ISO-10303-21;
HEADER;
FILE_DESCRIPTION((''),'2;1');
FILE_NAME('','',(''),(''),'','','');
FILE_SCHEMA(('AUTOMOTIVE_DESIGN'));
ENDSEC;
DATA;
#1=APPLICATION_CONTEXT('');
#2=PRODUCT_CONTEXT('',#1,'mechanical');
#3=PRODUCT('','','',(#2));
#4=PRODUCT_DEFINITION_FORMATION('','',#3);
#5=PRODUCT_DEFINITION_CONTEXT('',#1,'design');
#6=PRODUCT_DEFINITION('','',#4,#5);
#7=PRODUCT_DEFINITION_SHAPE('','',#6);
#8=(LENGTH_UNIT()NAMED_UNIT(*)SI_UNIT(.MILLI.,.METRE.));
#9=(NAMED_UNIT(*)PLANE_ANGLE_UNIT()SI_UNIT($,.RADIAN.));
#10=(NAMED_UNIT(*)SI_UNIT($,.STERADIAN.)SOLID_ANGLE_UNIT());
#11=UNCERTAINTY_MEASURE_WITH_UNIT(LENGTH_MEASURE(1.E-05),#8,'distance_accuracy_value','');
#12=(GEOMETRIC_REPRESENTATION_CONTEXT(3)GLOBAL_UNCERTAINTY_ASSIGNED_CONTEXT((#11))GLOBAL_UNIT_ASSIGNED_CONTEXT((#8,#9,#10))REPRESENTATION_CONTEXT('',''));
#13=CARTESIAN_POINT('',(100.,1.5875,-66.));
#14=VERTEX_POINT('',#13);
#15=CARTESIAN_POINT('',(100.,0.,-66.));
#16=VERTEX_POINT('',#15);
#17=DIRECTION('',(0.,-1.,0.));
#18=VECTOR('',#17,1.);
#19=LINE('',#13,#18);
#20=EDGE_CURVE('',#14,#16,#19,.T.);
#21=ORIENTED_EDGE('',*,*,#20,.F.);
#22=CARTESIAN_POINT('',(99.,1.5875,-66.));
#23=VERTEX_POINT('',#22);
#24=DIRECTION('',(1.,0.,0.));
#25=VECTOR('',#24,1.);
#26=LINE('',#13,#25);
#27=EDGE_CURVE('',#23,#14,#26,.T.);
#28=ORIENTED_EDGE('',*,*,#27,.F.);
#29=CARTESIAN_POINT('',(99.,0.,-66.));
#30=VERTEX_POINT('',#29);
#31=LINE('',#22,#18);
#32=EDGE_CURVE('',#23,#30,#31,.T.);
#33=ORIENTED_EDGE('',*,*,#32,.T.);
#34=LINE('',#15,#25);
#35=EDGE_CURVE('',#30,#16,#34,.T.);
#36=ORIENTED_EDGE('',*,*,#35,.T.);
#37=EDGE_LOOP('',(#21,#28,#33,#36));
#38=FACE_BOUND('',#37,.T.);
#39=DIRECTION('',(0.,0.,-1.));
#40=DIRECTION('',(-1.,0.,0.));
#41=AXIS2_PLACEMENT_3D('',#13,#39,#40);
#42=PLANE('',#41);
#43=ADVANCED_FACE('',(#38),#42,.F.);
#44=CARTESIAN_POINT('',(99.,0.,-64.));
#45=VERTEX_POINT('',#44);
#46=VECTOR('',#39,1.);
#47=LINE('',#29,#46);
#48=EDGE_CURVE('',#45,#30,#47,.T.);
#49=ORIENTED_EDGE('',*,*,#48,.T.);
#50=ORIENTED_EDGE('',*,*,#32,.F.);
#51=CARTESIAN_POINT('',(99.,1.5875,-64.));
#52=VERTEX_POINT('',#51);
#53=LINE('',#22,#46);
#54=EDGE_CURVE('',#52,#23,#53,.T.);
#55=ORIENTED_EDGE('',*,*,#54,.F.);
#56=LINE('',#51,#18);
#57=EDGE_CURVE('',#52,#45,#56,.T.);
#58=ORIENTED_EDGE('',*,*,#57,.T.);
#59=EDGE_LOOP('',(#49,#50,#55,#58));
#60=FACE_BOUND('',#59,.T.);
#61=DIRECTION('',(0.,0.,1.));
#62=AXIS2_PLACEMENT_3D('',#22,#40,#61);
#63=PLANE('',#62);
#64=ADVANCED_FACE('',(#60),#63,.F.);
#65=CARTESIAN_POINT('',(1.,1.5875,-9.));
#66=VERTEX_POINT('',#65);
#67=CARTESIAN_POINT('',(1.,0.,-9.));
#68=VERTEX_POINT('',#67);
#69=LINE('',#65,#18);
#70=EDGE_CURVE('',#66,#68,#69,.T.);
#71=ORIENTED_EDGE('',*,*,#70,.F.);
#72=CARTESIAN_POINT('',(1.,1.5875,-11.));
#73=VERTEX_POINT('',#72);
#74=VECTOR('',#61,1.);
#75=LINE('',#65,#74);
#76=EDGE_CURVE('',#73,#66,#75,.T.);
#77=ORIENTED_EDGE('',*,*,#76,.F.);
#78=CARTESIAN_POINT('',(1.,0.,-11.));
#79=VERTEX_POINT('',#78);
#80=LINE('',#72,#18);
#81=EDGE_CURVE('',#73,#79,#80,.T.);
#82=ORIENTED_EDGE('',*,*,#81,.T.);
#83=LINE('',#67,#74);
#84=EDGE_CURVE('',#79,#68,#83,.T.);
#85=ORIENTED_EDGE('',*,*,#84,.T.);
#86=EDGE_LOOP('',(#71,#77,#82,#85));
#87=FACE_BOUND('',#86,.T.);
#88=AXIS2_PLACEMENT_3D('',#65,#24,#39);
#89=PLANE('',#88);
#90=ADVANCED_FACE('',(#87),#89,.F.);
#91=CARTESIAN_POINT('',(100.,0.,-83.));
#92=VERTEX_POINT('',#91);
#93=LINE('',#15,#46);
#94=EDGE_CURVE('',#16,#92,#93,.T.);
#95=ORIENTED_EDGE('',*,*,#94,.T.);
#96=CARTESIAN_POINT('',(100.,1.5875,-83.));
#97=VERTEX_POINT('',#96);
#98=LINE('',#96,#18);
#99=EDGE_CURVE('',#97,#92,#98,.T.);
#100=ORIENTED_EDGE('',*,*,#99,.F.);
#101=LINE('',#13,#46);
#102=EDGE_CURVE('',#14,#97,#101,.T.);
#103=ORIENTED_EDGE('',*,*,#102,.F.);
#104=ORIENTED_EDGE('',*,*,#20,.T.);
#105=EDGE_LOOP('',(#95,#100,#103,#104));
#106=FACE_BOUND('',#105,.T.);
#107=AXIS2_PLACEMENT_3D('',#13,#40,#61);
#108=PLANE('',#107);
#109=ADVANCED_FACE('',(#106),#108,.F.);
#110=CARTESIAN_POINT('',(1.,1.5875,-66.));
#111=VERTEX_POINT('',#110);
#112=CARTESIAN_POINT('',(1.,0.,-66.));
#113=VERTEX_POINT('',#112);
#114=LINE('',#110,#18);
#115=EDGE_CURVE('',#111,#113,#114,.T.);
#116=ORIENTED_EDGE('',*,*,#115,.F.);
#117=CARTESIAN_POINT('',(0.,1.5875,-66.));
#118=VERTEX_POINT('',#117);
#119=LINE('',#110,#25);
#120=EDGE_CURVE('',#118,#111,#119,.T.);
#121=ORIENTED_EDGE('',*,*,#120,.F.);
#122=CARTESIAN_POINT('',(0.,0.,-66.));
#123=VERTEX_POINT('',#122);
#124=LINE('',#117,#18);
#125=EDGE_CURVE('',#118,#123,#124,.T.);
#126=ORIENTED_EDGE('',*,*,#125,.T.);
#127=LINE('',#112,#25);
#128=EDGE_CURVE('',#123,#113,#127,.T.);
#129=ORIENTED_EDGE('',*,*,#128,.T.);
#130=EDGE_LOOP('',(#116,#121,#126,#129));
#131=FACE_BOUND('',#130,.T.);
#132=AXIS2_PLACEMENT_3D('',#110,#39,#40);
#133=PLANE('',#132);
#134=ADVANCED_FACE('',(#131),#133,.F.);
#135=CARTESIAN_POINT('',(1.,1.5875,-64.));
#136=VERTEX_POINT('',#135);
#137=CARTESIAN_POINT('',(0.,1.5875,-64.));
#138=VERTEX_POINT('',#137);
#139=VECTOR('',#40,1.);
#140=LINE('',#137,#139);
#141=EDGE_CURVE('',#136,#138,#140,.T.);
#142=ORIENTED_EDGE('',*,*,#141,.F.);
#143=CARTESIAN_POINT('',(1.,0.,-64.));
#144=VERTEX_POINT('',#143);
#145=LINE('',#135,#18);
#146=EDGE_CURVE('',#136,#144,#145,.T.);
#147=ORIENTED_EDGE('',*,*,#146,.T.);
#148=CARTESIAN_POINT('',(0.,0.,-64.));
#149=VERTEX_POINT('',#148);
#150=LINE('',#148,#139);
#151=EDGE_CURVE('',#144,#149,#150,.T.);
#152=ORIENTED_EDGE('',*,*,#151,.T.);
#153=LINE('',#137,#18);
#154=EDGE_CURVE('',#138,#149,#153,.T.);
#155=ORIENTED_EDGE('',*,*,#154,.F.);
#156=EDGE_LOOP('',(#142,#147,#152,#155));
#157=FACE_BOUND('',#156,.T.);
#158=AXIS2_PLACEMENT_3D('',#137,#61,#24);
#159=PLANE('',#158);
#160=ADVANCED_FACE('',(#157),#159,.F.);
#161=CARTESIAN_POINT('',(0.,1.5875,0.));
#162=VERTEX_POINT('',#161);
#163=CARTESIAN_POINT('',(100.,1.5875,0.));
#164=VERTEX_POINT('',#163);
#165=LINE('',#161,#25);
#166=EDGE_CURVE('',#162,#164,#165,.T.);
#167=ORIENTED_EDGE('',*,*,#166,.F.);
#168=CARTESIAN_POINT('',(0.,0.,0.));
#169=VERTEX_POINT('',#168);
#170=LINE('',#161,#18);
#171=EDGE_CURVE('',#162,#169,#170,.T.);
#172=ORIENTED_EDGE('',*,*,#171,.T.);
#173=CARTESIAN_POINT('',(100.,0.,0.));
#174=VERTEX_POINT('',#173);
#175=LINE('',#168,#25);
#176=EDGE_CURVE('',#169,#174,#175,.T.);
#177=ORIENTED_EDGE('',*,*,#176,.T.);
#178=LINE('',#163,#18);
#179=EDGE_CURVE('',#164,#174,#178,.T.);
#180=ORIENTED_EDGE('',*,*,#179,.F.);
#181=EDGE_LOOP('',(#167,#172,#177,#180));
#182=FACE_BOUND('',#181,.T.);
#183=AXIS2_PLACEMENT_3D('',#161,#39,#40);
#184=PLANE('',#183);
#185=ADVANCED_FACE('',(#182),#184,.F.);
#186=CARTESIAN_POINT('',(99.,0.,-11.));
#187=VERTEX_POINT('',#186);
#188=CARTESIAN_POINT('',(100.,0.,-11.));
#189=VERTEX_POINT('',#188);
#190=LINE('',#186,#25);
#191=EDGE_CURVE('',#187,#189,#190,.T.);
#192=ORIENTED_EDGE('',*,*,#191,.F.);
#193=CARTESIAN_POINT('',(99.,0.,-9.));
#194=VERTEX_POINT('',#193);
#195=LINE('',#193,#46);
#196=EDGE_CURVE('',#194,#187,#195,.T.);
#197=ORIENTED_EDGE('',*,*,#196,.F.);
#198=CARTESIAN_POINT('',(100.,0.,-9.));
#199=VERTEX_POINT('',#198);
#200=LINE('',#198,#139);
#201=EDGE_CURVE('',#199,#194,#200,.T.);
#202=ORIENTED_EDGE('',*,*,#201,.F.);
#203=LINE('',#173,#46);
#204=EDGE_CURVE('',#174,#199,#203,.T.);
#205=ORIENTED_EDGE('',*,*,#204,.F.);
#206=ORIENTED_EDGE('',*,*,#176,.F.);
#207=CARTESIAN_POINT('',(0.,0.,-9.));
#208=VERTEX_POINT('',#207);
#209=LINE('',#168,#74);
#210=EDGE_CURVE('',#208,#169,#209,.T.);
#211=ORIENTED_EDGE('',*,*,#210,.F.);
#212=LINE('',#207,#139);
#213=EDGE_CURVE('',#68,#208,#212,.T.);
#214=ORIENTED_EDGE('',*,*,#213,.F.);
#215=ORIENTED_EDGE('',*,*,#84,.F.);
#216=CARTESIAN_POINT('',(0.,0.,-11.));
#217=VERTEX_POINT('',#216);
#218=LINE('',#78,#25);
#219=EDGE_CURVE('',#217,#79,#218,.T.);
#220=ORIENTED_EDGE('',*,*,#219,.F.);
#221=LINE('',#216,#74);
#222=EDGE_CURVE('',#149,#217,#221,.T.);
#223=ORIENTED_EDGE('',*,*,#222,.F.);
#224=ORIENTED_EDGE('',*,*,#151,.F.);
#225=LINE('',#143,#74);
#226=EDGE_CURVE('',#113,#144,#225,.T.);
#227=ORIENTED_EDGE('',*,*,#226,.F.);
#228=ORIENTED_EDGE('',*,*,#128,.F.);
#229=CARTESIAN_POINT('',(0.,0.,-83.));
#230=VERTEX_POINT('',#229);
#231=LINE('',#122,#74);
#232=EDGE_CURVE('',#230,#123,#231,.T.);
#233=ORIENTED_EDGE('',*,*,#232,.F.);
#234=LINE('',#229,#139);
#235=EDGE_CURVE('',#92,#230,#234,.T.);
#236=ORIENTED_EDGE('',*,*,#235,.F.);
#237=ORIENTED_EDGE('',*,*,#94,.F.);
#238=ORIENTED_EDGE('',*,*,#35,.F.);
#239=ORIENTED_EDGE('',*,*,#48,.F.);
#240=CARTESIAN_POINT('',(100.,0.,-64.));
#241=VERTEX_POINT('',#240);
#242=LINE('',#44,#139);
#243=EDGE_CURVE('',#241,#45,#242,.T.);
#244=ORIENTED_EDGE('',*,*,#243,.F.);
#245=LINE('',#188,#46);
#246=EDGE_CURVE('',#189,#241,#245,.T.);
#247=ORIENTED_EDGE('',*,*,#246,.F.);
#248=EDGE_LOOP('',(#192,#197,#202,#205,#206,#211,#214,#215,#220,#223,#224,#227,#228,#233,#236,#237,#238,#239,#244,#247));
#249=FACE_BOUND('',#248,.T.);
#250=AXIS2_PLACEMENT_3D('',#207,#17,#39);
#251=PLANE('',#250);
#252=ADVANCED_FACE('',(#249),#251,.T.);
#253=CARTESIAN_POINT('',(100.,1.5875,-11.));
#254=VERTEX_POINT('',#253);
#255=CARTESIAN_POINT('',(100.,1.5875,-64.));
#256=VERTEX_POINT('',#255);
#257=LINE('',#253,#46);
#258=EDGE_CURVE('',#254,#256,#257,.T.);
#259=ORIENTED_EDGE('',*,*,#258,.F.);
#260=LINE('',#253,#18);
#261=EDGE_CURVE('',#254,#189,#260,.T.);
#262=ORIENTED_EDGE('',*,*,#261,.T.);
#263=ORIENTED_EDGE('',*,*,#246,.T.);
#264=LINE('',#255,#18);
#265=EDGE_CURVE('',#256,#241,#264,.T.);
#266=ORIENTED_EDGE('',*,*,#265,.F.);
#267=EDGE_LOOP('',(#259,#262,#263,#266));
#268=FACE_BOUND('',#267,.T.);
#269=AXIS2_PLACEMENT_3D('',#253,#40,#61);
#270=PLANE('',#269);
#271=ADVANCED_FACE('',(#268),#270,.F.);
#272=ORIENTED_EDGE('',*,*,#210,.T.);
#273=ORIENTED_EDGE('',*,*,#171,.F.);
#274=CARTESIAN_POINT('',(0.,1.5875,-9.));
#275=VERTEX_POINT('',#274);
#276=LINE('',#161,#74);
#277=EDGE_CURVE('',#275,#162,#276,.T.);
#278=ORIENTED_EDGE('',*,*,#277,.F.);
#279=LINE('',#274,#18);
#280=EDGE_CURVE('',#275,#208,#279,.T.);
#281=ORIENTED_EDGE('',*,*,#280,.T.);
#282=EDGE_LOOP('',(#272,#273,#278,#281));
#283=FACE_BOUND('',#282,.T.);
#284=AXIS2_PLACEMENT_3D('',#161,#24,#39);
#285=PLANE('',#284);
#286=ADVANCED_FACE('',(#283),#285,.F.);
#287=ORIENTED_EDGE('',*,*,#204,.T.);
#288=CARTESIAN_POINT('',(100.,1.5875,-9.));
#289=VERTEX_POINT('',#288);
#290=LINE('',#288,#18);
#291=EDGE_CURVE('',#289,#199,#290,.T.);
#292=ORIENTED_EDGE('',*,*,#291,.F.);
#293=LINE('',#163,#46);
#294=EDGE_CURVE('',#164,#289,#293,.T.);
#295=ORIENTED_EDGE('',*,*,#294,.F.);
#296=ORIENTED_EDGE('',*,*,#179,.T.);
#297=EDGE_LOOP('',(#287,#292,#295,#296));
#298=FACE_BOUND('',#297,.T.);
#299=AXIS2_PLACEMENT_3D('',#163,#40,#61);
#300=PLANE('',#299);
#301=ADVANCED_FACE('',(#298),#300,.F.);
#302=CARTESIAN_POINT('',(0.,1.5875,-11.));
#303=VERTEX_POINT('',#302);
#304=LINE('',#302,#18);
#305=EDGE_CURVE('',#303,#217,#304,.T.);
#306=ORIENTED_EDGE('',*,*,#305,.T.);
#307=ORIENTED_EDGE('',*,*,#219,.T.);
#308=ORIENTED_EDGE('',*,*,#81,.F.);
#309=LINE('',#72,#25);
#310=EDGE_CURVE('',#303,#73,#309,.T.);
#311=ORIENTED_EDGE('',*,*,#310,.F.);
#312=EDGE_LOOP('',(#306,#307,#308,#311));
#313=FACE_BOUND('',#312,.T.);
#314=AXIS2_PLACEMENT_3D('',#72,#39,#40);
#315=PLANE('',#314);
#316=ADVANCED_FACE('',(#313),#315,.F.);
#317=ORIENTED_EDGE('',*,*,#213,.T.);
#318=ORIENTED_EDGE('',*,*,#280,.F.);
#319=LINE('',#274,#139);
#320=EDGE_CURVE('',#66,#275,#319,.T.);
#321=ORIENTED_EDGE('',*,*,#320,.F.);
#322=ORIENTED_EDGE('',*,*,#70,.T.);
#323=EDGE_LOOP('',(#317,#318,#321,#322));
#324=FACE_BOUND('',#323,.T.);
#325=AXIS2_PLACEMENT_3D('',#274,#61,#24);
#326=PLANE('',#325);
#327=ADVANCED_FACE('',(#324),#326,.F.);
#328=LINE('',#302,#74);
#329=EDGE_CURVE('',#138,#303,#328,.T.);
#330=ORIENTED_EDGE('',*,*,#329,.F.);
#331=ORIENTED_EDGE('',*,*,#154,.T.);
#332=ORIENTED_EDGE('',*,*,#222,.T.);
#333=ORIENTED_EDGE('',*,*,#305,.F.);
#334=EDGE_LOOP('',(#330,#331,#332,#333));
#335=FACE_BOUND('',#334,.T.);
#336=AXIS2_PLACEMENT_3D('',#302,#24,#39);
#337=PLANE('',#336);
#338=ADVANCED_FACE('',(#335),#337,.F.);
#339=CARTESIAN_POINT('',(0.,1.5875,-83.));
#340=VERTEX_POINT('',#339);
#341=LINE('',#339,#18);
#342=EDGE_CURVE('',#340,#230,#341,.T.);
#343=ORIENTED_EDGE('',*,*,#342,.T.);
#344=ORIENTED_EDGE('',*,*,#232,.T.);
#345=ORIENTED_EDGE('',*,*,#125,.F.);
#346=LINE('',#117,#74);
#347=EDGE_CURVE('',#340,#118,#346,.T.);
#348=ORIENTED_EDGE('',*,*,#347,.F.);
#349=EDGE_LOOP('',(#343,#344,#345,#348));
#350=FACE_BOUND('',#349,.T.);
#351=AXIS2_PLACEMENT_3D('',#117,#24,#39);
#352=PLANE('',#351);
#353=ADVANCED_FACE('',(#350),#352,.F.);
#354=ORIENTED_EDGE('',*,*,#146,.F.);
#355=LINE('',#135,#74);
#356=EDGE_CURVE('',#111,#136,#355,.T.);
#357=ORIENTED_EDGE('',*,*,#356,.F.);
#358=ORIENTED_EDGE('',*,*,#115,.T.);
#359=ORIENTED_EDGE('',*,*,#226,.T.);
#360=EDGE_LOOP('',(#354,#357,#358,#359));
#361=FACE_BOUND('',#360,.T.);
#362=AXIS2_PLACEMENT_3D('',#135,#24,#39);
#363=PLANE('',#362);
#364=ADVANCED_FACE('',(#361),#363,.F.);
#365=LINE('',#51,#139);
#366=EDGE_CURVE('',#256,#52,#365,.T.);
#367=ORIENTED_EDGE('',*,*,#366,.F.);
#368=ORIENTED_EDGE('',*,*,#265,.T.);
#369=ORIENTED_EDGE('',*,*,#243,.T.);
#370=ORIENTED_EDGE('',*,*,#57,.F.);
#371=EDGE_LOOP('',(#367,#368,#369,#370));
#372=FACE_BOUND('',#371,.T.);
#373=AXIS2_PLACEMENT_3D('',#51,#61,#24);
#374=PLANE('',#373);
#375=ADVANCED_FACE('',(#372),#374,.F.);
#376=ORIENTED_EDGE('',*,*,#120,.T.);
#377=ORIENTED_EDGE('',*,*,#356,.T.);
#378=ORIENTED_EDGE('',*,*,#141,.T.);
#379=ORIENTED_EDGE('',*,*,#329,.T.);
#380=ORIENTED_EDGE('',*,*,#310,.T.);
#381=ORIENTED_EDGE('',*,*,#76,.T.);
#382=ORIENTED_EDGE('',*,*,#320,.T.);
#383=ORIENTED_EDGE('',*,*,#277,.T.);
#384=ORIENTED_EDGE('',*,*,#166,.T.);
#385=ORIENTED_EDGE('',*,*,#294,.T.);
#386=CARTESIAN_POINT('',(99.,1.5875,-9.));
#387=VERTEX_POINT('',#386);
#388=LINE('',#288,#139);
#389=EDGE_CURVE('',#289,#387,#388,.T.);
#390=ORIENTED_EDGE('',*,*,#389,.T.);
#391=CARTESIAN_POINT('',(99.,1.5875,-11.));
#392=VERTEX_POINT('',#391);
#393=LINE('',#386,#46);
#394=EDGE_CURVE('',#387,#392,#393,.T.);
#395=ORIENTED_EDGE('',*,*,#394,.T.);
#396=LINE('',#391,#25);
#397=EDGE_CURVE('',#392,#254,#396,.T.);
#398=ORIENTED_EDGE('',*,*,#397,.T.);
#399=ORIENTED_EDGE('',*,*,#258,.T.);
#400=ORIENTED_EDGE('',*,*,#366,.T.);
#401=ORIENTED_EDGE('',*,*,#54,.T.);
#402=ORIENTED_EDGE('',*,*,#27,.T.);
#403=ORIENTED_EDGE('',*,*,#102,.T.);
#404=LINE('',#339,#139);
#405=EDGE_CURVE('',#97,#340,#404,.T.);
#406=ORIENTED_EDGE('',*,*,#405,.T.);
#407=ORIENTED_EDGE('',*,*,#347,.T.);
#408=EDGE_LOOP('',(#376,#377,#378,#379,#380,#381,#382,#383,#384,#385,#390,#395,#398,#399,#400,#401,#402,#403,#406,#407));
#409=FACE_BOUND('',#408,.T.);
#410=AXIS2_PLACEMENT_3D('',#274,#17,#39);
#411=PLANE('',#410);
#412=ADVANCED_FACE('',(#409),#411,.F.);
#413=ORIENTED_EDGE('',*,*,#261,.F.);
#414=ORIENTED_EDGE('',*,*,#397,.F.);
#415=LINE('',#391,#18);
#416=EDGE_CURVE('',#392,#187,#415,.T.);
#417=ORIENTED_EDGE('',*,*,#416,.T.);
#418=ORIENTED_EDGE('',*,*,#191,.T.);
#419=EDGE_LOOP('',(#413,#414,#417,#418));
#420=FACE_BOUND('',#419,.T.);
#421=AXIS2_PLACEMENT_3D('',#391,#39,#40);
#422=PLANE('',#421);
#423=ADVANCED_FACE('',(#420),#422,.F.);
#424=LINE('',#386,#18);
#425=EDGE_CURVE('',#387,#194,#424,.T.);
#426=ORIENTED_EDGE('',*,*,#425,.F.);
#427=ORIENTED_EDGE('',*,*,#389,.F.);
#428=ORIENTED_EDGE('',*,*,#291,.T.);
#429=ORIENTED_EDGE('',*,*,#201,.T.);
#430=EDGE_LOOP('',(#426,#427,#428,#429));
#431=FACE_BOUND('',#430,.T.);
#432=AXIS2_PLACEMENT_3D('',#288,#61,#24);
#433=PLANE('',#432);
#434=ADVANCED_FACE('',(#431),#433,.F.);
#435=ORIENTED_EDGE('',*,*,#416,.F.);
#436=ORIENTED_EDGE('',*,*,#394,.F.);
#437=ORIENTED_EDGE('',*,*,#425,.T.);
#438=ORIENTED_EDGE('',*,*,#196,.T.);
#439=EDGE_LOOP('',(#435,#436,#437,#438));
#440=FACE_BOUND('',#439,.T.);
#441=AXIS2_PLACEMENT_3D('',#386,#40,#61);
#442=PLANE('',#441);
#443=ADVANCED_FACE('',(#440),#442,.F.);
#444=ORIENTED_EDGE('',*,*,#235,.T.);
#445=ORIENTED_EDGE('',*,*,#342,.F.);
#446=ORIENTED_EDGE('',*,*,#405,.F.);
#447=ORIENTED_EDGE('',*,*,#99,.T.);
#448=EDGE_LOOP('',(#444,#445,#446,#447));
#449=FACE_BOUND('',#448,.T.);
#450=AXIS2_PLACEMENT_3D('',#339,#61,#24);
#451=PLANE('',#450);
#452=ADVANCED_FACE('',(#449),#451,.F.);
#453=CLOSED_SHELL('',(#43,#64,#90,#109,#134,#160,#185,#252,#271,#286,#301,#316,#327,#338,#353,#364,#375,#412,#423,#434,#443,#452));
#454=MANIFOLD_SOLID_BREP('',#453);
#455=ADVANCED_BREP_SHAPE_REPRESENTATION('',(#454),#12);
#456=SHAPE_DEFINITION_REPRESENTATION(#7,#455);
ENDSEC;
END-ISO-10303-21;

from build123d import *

# Parameters (mm, degrees)
BOSS_EXTRUDE1_DEPTH = 1.5875


with BuildPart() as part:
    # Sketch1 → Boss-Extrude1 (new body)
    with BuildSketch(Plane(origin=(0, 0, 0), x_dir=(1, 0, 0), z_dir=(0, 1, 0))):
        Polygon((0, 9), (1, 9), (1, 11), (0, 11), (0, 64), (1, 64), (1, 66), (0, 66), (0, 83), (100, 83), (100, 66), (99, 66), (99, 64), (100, 64), (100, 11), (99, 11), (99, 9), (100, 9), (100, 0), (0, 0), align=None)
    extrude(amount=BOSS_EXTRUDE1_DEPTH)


solid = part.part
